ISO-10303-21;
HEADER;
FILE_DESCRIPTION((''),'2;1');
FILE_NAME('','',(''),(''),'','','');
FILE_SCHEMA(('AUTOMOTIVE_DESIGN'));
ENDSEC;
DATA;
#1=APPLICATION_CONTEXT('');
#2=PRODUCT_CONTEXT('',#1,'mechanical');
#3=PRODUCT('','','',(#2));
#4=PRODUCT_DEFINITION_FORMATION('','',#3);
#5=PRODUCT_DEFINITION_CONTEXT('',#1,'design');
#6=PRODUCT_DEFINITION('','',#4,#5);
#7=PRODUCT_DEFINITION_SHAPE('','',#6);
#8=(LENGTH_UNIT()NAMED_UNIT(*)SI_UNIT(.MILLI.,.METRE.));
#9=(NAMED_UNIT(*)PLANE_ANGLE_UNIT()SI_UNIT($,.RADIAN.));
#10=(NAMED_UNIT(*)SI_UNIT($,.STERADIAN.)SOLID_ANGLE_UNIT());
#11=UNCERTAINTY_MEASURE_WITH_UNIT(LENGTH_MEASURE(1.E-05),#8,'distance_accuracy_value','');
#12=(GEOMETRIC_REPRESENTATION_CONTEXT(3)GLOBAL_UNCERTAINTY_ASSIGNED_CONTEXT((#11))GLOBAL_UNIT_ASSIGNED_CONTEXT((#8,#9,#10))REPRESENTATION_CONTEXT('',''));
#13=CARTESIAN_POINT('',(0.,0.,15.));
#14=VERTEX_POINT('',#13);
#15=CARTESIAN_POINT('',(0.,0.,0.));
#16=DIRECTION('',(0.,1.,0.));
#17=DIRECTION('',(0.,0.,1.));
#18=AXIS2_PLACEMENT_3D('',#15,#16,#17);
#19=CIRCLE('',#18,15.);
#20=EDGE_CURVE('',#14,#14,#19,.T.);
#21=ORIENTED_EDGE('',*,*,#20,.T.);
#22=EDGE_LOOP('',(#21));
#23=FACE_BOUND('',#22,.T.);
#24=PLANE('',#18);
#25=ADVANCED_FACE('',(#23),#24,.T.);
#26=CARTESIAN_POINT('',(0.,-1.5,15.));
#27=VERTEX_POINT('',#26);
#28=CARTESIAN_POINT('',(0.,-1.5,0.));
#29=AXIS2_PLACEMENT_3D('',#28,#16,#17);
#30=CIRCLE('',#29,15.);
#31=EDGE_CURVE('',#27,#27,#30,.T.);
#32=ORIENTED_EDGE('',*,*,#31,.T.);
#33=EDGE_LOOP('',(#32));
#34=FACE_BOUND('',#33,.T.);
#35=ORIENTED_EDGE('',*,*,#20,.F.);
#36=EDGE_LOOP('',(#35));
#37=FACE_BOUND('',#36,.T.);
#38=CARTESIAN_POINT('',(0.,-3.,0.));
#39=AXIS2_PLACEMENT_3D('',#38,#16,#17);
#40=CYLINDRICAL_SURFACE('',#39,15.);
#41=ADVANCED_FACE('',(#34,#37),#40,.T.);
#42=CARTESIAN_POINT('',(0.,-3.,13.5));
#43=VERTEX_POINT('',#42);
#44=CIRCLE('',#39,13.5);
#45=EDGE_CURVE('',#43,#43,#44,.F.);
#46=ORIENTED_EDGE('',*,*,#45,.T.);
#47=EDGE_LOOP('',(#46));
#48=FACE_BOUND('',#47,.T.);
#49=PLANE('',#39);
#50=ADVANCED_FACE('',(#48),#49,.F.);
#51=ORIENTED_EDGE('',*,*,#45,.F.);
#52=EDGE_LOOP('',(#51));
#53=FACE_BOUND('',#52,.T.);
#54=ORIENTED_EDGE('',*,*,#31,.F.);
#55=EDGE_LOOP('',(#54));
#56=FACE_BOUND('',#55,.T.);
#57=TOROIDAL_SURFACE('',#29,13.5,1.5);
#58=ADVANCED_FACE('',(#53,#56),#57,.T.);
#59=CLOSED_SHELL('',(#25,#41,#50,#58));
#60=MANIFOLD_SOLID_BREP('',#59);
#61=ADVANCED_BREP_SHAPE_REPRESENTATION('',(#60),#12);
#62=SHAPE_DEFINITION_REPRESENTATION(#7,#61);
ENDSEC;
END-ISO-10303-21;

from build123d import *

# Parameters (mm, degrees)
SKETCH1_R           = 15
BOSS_EXTRUDE1_DEPTH = 3
FILLET1_R           = 1.5


with BuildPart() as part:
    # Sketch1 → Boss-Extrude1 (new body)
    with BuildSketch(Plane(origin=(0, 0, 0), x_dir=(-1, 0, 0), z_dir=(0, 1, 0))):
        with Locations(Location((0, 0, 0), (0, 0, 90))):
            Circle(SKETCH1_R)
    extrude(amount=-BOSS_EXTRUDE1_DEPTH)

    # Fillet1
    fillet1_edges = [part.edges().sort_by_distance(p)[0] for p in [
        (0, -3, -15),
    ]]
    fillet(fillet1_edges, radius=FILLET1_R)


solid = part.part
